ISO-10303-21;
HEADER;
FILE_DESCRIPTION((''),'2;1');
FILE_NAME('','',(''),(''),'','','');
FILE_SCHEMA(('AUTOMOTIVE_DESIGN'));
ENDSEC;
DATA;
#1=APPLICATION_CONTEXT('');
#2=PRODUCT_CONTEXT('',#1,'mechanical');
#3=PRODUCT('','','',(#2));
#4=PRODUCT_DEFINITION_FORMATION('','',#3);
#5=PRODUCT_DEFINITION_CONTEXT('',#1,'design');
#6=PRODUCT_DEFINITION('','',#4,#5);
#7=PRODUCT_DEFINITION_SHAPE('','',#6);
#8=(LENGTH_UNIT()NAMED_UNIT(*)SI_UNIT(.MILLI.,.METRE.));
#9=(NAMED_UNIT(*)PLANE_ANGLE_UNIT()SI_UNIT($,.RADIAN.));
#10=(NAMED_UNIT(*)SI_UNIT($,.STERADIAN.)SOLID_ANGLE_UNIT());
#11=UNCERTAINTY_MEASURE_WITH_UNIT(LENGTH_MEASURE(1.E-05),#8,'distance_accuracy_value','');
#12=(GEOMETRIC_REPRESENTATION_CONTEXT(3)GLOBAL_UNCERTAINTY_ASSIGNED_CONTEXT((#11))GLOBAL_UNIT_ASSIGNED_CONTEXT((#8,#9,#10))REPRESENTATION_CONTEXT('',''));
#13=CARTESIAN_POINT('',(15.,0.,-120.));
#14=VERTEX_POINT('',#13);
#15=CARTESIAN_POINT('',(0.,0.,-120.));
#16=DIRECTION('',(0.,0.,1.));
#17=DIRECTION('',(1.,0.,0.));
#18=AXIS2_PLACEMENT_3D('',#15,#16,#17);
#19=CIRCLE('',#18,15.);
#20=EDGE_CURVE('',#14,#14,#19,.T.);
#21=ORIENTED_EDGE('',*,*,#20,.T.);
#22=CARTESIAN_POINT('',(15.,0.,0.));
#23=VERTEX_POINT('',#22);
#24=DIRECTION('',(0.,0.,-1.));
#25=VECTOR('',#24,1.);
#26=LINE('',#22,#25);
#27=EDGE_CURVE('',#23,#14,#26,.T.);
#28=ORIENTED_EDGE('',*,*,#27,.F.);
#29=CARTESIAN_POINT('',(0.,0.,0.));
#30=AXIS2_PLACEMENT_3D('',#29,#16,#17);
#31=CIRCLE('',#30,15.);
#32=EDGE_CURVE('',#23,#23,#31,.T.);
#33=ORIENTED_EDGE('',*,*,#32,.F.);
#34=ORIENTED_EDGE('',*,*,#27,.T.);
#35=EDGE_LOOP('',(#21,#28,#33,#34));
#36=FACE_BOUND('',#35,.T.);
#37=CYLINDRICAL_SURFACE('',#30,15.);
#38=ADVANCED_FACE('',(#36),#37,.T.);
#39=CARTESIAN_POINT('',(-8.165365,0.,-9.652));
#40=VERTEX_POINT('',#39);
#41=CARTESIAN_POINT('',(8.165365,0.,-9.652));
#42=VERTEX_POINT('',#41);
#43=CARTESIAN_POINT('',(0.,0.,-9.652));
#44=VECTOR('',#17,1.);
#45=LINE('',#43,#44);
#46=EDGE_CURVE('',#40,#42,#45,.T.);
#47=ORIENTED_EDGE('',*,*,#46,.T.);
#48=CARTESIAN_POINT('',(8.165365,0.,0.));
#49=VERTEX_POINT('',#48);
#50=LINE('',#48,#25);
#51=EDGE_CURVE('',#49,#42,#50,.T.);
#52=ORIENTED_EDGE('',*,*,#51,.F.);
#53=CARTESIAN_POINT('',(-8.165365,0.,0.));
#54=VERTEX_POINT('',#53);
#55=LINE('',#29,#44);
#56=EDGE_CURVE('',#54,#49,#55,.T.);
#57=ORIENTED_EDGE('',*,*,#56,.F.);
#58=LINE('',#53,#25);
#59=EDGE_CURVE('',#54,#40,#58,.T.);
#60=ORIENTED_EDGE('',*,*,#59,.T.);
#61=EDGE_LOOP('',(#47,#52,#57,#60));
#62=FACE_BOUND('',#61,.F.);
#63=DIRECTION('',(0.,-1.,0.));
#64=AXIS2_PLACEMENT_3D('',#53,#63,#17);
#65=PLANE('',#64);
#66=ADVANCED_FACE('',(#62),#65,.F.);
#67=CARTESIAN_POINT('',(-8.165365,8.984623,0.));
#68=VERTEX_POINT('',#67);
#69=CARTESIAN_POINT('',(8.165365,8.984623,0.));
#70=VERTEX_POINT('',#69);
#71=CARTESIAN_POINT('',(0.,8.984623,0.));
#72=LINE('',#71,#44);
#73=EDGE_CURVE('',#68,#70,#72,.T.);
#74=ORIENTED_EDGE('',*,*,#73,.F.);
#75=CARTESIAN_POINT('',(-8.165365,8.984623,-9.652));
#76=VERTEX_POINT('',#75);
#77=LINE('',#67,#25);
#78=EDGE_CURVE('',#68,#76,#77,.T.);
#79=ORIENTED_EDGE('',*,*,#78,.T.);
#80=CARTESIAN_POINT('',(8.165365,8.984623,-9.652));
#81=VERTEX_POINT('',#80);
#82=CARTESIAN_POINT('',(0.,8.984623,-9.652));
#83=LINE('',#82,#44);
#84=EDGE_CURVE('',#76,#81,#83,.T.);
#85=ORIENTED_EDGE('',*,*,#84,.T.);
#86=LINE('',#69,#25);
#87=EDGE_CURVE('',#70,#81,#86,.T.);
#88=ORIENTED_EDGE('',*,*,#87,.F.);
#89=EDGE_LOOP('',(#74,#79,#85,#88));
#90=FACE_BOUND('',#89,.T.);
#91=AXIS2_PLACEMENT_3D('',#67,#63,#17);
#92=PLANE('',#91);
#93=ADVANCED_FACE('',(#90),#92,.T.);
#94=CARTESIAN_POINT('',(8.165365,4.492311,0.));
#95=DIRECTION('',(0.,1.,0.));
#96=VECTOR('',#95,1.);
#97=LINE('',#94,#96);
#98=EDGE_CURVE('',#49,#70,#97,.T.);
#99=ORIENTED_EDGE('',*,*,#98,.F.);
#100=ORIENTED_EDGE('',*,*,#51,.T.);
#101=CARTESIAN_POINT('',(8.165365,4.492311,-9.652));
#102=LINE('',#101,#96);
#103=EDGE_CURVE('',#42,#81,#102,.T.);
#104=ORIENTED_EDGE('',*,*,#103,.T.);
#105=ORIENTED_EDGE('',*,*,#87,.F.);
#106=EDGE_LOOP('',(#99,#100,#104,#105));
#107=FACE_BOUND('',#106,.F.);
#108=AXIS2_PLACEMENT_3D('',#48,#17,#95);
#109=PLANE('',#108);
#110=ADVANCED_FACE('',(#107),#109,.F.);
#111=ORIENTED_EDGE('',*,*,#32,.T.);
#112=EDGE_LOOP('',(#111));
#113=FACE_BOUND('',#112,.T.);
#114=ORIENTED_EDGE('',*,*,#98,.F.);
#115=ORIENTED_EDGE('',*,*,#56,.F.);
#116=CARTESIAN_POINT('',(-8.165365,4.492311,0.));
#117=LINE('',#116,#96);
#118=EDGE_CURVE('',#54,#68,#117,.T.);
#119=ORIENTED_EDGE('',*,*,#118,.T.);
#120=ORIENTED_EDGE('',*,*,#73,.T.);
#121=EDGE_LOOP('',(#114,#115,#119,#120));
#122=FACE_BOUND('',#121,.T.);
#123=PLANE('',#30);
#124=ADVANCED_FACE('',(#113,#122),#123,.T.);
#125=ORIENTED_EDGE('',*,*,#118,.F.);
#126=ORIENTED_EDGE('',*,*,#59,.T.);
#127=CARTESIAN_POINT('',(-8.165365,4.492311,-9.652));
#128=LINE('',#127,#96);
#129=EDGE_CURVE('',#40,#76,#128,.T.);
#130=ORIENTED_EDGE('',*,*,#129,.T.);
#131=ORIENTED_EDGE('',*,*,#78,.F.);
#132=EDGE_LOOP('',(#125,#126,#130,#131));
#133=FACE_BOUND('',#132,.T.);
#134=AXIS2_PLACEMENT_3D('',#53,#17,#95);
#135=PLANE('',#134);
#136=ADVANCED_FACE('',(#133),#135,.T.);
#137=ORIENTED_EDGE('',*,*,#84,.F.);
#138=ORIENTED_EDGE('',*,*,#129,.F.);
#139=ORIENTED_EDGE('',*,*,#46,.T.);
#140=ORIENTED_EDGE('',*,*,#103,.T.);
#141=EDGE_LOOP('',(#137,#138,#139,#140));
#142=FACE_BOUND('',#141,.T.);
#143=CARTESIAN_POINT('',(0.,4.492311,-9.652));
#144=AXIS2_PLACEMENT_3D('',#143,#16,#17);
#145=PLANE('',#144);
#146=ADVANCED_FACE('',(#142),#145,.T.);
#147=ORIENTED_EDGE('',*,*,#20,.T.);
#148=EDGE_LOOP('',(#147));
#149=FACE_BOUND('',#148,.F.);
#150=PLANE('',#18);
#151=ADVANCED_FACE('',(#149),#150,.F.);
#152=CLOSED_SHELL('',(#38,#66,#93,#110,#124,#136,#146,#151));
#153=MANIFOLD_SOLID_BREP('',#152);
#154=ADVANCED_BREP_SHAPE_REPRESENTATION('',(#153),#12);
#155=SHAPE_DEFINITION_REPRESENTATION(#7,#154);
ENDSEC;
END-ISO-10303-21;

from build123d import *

# Parameters (mm, degrees)
F0_R     = 15
F1_DEPTH = 120
F2_W     = 16.33073
F2_H     = 8.984623
F3_DEPTH = 9.652


with BuildPart() as f1:
    # F0 (on Top) → F1 (new body)
    with BuildSketch(Plane.XY):
        Circle(F0_R)
    extrude(amount=-F1_DEPTH)

    # F2 (on Top) → F3 (cut)
    with BuildSketch(Plane.XY):
        with Locations((0, 4.492311)):
            Rectangle(F2_W, F2_H)
    extrude(amount=-F3_DEPTH, mode=Mode.SUBTRACT)


solid = f1.part
